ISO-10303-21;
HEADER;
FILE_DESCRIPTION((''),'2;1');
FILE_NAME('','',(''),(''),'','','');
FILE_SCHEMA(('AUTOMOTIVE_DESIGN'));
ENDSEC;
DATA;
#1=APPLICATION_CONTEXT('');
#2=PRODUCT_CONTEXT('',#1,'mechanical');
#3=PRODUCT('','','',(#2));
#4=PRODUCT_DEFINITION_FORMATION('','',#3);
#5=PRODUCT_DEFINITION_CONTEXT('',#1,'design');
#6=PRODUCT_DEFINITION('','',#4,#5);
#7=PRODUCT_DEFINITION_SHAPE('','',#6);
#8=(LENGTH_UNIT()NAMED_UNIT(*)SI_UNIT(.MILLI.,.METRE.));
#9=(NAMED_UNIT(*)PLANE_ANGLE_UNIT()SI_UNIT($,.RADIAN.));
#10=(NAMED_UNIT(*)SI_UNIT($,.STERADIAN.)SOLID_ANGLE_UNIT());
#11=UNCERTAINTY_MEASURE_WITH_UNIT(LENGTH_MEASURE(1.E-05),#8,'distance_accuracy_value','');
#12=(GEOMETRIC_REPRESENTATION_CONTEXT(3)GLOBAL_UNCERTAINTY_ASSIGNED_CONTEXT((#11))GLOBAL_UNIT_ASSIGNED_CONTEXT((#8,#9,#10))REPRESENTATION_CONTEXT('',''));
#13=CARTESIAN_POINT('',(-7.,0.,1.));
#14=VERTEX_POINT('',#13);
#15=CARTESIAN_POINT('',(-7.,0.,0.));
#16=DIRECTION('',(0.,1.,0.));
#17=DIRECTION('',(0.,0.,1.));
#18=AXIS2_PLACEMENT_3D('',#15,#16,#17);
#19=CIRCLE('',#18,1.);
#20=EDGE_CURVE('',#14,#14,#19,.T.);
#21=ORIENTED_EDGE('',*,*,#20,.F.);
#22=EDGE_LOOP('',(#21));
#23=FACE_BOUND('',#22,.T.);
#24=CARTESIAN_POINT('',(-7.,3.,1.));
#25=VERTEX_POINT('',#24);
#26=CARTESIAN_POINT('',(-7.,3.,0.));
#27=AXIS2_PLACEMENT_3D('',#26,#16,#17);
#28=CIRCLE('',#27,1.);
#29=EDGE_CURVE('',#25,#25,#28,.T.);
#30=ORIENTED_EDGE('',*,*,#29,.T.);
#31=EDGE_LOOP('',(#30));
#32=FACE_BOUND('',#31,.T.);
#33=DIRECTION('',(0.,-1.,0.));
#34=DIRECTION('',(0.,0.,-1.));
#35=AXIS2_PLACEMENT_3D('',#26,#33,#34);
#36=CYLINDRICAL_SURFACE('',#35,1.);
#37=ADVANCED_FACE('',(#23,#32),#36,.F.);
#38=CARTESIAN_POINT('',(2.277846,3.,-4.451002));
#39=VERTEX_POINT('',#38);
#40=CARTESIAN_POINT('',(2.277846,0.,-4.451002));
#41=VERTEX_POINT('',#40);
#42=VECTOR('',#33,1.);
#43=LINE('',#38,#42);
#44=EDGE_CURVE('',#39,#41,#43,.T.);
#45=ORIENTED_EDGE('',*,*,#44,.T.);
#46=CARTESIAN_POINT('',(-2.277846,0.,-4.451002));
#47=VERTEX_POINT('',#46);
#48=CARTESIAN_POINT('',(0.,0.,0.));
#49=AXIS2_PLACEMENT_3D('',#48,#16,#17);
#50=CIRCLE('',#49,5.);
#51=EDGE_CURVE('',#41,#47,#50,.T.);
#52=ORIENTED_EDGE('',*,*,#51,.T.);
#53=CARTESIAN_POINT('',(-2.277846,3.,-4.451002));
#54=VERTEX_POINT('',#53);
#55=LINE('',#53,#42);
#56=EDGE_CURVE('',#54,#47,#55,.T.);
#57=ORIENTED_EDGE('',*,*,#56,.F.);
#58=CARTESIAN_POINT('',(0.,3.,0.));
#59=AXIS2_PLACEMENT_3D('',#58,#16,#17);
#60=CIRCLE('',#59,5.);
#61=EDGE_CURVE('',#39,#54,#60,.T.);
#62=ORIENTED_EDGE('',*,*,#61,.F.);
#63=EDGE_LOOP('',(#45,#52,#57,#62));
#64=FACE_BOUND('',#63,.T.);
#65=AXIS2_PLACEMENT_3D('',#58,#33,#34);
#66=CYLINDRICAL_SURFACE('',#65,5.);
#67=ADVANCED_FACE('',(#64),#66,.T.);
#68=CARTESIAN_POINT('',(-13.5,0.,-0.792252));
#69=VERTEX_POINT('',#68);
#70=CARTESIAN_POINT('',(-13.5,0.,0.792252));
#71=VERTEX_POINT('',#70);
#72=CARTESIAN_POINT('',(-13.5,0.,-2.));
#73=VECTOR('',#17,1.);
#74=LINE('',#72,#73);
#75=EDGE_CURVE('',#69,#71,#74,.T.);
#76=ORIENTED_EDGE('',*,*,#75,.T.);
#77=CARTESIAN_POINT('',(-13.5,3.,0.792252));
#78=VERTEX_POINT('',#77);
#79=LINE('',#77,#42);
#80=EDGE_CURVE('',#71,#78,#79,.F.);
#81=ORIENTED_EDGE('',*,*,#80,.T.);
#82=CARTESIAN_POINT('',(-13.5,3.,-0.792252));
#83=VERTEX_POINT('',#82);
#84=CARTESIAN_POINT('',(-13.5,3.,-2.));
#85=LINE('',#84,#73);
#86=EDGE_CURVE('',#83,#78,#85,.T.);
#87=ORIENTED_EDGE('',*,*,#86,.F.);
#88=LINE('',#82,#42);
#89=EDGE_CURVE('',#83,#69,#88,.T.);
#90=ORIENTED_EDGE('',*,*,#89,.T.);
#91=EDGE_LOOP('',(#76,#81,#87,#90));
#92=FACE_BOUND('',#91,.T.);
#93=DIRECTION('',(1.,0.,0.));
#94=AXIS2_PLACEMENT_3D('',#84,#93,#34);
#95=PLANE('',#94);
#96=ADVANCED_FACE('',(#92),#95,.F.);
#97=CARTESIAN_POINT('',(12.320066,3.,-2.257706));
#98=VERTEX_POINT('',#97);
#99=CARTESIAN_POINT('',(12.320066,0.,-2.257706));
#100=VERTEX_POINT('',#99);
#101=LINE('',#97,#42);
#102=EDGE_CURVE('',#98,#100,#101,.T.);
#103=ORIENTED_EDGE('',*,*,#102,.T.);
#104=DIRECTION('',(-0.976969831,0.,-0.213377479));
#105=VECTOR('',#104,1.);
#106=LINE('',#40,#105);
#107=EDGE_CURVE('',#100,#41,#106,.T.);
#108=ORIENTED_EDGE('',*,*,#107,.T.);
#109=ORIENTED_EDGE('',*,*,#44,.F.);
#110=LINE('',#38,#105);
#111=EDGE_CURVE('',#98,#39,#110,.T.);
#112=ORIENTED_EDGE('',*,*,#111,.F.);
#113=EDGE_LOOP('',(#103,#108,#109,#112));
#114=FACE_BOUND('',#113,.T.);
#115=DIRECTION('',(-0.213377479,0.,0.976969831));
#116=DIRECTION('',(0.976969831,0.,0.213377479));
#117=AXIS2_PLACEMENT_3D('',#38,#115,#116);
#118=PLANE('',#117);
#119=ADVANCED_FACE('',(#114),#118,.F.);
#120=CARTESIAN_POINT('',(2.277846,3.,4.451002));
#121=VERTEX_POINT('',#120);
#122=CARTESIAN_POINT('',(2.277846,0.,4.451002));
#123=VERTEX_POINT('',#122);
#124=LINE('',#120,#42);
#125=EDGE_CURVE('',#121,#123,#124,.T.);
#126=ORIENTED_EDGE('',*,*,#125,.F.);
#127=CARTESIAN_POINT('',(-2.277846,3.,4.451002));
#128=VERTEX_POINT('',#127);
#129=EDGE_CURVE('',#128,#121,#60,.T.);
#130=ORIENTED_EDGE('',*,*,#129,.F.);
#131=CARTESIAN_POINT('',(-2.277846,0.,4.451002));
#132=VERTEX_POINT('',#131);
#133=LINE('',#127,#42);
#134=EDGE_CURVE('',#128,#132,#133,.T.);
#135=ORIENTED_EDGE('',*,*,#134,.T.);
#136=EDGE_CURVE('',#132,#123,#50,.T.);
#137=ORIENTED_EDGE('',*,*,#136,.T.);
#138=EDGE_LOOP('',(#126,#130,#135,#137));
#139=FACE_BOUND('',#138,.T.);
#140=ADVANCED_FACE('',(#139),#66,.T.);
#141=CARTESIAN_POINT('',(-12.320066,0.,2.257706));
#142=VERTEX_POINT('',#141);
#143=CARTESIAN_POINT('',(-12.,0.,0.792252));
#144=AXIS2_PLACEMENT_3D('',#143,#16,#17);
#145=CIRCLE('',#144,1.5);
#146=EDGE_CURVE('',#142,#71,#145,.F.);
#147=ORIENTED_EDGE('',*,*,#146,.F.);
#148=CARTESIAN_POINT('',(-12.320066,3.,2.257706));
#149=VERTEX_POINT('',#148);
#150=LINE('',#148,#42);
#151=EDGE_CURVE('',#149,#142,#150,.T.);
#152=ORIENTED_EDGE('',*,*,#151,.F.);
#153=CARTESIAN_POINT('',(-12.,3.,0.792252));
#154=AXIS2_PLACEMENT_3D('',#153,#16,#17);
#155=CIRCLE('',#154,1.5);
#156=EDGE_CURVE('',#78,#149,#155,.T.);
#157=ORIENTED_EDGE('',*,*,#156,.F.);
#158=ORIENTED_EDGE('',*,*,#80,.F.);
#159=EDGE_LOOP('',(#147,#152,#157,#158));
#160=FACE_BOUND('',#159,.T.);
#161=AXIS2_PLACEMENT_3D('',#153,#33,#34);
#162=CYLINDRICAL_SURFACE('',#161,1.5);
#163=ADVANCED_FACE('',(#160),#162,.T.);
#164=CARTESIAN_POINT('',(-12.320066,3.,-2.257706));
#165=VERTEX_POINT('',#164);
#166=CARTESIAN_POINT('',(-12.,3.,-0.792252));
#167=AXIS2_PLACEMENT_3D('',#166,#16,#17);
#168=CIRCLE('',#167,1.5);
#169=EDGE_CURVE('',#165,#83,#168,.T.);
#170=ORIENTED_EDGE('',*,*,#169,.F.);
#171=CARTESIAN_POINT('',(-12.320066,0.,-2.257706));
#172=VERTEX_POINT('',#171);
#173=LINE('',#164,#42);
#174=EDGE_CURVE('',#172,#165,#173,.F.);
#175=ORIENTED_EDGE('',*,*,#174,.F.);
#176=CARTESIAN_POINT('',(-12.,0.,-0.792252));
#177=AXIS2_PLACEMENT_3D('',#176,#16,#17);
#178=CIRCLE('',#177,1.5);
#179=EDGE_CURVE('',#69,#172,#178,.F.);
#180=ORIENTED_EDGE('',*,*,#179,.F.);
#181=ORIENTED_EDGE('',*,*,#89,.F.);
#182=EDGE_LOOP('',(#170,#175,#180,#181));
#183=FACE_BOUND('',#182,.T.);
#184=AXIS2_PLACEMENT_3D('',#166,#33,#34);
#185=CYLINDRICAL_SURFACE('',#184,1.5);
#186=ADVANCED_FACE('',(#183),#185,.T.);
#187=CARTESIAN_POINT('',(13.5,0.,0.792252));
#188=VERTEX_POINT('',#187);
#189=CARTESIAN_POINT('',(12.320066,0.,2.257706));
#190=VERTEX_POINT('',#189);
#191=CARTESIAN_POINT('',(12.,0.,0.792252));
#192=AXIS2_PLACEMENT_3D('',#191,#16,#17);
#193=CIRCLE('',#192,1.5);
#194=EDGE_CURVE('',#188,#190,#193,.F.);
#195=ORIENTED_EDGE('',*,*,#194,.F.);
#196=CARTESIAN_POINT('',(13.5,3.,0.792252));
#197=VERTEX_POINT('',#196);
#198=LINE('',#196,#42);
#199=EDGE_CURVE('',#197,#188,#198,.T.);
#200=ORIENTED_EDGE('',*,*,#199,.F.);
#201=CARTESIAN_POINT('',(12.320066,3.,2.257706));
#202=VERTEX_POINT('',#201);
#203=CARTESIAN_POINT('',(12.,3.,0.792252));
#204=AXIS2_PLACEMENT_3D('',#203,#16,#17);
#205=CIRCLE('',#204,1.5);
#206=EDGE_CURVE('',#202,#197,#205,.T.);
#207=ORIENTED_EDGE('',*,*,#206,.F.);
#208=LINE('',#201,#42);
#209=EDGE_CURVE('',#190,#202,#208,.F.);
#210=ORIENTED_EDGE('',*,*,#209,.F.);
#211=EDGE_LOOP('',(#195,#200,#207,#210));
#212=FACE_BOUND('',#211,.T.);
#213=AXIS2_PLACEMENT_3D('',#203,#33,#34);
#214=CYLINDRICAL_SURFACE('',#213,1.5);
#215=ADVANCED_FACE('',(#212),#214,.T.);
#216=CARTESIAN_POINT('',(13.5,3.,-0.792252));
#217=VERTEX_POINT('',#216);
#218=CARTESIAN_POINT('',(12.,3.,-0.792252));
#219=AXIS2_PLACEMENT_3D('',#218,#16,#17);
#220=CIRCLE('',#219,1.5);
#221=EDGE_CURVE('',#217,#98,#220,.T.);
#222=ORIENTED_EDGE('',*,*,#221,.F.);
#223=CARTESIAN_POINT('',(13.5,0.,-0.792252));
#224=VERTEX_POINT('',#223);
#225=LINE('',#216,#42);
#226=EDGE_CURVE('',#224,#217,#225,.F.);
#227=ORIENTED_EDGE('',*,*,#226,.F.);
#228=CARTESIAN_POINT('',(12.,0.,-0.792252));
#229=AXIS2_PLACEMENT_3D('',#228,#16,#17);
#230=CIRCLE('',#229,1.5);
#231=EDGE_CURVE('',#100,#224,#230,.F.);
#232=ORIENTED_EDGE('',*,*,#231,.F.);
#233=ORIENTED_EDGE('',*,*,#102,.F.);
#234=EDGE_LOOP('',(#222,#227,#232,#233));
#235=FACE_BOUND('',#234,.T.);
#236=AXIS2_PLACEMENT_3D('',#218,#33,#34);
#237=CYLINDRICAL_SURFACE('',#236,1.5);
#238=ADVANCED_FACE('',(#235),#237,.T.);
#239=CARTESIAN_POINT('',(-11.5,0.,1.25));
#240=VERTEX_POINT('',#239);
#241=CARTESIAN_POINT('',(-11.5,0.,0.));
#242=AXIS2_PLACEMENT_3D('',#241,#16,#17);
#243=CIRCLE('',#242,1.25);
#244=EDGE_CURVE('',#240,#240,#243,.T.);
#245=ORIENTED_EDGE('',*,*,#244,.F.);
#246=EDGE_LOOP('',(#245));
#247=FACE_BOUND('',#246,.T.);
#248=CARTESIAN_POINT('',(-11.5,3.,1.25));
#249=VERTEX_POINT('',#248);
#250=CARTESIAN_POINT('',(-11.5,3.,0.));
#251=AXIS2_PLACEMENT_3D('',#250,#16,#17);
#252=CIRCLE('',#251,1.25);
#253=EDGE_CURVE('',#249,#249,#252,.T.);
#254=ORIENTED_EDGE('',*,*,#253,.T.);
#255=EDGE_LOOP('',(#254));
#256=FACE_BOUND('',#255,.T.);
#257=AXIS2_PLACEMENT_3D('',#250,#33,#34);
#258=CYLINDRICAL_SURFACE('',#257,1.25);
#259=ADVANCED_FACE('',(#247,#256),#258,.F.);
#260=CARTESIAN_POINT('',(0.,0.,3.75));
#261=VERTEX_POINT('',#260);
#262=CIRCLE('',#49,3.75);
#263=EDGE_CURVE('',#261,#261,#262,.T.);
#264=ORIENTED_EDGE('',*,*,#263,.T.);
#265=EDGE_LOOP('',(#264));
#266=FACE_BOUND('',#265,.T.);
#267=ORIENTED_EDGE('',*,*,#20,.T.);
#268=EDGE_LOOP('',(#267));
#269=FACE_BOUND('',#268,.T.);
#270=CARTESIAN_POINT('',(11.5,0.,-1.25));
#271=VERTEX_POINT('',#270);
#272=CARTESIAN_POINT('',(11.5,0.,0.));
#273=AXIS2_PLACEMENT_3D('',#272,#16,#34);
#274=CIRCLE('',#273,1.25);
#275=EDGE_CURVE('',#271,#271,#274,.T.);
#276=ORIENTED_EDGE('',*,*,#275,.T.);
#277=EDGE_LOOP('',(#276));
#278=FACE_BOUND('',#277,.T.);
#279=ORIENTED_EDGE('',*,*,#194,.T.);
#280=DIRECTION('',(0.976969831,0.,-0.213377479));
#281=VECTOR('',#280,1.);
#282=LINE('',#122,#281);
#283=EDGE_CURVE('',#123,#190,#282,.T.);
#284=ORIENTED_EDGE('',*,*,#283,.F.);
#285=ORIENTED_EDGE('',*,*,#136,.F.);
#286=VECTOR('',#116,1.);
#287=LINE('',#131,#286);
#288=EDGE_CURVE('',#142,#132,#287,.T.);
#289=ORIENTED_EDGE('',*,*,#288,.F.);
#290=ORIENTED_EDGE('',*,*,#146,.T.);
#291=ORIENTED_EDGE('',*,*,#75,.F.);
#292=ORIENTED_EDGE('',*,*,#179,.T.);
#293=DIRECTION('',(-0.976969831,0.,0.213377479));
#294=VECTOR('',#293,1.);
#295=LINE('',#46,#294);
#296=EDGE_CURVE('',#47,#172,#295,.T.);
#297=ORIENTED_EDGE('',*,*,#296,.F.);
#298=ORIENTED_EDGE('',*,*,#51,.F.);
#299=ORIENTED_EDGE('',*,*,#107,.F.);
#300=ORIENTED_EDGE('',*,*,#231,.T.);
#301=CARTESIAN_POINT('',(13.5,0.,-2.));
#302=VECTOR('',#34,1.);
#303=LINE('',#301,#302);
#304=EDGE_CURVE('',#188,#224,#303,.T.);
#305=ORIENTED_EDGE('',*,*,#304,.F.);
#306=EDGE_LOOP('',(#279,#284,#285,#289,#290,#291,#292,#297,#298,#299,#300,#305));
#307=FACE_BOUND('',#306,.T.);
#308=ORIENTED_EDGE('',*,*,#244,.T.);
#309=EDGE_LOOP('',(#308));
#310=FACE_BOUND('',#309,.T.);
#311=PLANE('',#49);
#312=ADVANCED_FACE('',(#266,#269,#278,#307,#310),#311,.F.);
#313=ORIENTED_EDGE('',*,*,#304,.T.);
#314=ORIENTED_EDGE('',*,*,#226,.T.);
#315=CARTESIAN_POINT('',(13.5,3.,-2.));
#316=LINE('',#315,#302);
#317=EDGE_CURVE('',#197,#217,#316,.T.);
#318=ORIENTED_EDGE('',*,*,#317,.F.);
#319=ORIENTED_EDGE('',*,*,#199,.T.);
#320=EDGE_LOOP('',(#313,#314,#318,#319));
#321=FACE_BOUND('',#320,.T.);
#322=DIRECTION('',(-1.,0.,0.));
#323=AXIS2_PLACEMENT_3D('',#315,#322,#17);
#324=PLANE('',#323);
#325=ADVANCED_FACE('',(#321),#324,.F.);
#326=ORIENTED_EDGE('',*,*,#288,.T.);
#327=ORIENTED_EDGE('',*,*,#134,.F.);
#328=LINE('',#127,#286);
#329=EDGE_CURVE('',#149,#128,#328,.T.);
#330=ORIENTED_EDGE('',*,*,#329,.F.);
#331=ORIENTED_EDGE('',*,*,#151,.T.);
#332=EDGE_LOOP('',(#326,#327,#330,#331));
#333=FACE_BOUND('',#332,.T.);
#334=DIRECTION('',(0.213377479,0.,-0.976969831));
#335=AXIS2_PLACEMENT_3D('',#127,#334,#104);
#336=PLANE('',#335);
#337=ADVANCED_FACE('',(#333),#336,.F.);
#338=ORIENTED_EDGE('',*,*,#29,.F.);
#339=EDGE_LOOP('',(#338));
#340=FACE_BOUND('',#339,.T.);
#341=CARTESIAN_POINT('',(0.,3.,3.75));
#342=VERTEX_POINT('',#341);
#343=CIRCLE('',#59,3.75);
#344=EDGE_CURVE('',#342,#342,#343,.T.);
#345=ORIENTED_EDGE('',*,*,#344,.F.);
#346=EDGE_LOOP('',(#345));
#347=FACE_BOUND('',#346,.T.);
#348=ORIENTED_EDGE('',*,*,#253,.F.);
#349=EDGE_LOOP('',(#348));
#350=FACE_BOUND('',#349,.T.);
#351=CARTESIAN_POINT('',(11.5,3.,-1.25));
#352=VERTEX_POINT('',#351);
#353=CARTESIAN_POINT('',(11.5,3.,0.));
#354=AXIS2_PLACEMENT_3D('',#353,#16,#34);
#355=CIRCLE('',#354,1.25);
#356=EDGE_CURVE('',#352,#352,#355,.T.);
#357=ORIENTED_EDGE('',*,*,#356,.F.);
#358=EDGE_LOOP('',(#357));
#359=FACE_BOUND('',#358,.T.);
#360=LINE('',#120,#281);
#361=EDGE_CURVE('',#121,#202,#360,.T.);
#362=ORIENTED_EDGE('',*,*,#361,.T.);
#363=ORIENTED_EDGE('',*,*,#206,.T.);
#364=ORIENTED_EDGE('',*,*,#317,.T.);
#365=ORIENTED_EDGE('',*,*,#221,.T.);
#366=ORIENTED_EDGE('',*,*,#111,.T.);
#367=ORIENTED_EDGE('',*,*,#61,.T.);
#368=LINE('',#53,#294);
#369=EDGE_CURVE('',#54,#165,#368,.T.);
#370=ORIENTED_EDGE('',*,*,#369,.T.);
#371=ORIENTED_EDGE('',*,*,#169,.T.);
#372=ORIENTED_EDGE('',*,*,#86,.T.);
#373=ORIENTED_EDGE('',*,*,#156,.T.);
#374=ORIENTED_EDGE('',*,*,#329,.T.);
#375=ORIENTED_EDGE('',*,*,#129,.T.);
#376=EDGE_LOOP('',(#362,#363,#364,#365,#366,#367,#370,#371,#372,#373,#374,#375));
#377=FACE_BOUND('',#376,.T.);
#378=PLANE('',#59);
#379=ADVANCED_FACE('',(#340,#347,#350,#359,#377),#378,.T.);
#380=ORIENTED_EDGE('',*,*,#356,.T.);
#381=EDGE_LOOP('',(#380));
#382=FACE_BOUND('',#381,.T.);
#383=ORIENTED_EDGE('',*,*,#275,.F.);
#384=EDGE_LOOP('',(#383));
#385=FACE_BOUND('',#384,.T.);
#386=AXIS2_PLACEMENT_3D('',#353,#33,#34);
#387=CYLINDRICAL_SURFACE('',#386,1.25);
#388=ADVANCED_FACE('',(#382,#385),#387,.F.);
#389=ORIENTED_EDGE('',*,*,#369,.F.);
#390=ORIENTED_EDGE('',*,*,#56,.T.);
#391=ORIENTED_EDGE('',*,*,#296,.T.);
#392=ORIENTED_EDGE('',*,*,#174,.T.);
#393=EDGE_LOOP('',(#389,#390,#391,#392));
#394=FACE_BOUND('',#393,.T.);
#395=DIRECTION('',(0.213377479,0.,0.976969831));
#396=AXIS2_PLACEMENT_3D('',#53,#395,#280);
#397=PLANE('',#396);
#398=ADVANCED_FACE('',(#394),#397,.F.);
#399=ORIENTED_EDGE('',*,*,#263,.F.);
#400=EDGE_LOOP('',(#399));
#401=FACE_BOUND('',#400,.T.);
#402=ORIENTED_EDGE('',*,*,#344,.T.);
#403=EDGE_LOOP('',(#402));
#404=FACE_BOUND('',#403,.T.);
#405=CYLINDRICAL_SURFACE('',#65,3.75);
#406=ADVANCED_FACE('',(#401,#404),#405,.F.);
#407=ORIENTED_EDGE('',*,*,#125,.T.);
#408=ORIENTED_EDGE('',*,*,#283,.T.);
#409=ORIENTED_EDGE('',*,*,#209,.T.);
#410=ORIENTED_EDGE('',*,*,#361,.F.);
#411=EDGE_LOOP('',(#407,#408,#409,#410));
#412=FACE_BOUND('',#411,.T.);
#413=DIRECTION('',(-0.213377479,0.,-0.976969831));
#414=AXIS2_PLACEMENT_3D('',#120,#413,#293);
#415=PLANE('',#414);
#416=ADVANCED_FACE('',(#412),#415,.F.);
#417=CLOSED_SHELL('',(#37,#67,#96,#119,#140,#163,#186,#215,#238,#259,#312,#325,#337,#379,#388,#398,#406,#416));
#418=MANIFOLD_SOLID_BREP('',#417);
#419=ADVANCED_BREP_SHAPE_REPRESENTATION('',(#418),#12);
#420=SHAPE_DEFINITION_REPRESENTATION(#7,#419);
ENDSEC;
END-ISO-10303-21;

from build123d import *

# Parameters (mm, degrees)
SKETCH1_R           = 3.75
SKETCH1_R_2         = 1.25
SKETCH1_R_3         = 1
BOSS_EXTRUDE1_DEPTH = 3
FILLET1_R           = 1.5


with BuildPart() as part:
    # Sketch1 → Boss-Extrude1 (new body)
    with BuildSketch(Plane(origin=(0, 0, 0), x_dir=(1, 0, 0), z_dir=(0, 1, 0))):
        with BuildLine():
            Line((-2.277845841, 4.451001946), (-13.5, 2))
            Line((-13.5, 2), (-13.5, -2))
            Line((-13.5, -2), (-2.277845841, -4.451001946))
            ThreePointArc((-2.277845841, -4.451001946), (0, -5), (2.277845841, -4.451001946))
            Line((2.277845841, -4.451001946), (13.5, -2))
            Line((13.5, -2), (13.5, 2))
            Line((13.5, 2), (2.277845841, 4.451001946))
            ThreePointArc((2.277845841, 4.451001946), (0, 5), (-2.277845841, 4.451001946))
        make_face()
        Circle(SKETCH1_R, mode=Mode.SUBTRACT)
        with Locations((-11.5, 0)):
            Circle(SKETCH1_R_2, mode=Mode.SUBTRACT)
        with Locations((11.5, 0)):
            Circle(SKETCH1_R_2, mode=Mode.SUBTRACT)
        with Locations((-7, 0)):
            Circle(SKETCH1_R_3, mode=Mode.SUBTRACT)
    extrude(amount=BOSS_EXTRUDE1_DEPTH)

    # Fillet1
    fillet1_edges = [part.edges().sort_by_distance(p)[0] for p in [
        (-13.5, 1.5, 2),
        (-13.5, 1.5, -2),
        (13.5, 1.5, -2),
        (13.5, 1.5, 2),
    ]]
    fillet(fillet1_edges, radius=FILLET1_R)


solid = part.part
